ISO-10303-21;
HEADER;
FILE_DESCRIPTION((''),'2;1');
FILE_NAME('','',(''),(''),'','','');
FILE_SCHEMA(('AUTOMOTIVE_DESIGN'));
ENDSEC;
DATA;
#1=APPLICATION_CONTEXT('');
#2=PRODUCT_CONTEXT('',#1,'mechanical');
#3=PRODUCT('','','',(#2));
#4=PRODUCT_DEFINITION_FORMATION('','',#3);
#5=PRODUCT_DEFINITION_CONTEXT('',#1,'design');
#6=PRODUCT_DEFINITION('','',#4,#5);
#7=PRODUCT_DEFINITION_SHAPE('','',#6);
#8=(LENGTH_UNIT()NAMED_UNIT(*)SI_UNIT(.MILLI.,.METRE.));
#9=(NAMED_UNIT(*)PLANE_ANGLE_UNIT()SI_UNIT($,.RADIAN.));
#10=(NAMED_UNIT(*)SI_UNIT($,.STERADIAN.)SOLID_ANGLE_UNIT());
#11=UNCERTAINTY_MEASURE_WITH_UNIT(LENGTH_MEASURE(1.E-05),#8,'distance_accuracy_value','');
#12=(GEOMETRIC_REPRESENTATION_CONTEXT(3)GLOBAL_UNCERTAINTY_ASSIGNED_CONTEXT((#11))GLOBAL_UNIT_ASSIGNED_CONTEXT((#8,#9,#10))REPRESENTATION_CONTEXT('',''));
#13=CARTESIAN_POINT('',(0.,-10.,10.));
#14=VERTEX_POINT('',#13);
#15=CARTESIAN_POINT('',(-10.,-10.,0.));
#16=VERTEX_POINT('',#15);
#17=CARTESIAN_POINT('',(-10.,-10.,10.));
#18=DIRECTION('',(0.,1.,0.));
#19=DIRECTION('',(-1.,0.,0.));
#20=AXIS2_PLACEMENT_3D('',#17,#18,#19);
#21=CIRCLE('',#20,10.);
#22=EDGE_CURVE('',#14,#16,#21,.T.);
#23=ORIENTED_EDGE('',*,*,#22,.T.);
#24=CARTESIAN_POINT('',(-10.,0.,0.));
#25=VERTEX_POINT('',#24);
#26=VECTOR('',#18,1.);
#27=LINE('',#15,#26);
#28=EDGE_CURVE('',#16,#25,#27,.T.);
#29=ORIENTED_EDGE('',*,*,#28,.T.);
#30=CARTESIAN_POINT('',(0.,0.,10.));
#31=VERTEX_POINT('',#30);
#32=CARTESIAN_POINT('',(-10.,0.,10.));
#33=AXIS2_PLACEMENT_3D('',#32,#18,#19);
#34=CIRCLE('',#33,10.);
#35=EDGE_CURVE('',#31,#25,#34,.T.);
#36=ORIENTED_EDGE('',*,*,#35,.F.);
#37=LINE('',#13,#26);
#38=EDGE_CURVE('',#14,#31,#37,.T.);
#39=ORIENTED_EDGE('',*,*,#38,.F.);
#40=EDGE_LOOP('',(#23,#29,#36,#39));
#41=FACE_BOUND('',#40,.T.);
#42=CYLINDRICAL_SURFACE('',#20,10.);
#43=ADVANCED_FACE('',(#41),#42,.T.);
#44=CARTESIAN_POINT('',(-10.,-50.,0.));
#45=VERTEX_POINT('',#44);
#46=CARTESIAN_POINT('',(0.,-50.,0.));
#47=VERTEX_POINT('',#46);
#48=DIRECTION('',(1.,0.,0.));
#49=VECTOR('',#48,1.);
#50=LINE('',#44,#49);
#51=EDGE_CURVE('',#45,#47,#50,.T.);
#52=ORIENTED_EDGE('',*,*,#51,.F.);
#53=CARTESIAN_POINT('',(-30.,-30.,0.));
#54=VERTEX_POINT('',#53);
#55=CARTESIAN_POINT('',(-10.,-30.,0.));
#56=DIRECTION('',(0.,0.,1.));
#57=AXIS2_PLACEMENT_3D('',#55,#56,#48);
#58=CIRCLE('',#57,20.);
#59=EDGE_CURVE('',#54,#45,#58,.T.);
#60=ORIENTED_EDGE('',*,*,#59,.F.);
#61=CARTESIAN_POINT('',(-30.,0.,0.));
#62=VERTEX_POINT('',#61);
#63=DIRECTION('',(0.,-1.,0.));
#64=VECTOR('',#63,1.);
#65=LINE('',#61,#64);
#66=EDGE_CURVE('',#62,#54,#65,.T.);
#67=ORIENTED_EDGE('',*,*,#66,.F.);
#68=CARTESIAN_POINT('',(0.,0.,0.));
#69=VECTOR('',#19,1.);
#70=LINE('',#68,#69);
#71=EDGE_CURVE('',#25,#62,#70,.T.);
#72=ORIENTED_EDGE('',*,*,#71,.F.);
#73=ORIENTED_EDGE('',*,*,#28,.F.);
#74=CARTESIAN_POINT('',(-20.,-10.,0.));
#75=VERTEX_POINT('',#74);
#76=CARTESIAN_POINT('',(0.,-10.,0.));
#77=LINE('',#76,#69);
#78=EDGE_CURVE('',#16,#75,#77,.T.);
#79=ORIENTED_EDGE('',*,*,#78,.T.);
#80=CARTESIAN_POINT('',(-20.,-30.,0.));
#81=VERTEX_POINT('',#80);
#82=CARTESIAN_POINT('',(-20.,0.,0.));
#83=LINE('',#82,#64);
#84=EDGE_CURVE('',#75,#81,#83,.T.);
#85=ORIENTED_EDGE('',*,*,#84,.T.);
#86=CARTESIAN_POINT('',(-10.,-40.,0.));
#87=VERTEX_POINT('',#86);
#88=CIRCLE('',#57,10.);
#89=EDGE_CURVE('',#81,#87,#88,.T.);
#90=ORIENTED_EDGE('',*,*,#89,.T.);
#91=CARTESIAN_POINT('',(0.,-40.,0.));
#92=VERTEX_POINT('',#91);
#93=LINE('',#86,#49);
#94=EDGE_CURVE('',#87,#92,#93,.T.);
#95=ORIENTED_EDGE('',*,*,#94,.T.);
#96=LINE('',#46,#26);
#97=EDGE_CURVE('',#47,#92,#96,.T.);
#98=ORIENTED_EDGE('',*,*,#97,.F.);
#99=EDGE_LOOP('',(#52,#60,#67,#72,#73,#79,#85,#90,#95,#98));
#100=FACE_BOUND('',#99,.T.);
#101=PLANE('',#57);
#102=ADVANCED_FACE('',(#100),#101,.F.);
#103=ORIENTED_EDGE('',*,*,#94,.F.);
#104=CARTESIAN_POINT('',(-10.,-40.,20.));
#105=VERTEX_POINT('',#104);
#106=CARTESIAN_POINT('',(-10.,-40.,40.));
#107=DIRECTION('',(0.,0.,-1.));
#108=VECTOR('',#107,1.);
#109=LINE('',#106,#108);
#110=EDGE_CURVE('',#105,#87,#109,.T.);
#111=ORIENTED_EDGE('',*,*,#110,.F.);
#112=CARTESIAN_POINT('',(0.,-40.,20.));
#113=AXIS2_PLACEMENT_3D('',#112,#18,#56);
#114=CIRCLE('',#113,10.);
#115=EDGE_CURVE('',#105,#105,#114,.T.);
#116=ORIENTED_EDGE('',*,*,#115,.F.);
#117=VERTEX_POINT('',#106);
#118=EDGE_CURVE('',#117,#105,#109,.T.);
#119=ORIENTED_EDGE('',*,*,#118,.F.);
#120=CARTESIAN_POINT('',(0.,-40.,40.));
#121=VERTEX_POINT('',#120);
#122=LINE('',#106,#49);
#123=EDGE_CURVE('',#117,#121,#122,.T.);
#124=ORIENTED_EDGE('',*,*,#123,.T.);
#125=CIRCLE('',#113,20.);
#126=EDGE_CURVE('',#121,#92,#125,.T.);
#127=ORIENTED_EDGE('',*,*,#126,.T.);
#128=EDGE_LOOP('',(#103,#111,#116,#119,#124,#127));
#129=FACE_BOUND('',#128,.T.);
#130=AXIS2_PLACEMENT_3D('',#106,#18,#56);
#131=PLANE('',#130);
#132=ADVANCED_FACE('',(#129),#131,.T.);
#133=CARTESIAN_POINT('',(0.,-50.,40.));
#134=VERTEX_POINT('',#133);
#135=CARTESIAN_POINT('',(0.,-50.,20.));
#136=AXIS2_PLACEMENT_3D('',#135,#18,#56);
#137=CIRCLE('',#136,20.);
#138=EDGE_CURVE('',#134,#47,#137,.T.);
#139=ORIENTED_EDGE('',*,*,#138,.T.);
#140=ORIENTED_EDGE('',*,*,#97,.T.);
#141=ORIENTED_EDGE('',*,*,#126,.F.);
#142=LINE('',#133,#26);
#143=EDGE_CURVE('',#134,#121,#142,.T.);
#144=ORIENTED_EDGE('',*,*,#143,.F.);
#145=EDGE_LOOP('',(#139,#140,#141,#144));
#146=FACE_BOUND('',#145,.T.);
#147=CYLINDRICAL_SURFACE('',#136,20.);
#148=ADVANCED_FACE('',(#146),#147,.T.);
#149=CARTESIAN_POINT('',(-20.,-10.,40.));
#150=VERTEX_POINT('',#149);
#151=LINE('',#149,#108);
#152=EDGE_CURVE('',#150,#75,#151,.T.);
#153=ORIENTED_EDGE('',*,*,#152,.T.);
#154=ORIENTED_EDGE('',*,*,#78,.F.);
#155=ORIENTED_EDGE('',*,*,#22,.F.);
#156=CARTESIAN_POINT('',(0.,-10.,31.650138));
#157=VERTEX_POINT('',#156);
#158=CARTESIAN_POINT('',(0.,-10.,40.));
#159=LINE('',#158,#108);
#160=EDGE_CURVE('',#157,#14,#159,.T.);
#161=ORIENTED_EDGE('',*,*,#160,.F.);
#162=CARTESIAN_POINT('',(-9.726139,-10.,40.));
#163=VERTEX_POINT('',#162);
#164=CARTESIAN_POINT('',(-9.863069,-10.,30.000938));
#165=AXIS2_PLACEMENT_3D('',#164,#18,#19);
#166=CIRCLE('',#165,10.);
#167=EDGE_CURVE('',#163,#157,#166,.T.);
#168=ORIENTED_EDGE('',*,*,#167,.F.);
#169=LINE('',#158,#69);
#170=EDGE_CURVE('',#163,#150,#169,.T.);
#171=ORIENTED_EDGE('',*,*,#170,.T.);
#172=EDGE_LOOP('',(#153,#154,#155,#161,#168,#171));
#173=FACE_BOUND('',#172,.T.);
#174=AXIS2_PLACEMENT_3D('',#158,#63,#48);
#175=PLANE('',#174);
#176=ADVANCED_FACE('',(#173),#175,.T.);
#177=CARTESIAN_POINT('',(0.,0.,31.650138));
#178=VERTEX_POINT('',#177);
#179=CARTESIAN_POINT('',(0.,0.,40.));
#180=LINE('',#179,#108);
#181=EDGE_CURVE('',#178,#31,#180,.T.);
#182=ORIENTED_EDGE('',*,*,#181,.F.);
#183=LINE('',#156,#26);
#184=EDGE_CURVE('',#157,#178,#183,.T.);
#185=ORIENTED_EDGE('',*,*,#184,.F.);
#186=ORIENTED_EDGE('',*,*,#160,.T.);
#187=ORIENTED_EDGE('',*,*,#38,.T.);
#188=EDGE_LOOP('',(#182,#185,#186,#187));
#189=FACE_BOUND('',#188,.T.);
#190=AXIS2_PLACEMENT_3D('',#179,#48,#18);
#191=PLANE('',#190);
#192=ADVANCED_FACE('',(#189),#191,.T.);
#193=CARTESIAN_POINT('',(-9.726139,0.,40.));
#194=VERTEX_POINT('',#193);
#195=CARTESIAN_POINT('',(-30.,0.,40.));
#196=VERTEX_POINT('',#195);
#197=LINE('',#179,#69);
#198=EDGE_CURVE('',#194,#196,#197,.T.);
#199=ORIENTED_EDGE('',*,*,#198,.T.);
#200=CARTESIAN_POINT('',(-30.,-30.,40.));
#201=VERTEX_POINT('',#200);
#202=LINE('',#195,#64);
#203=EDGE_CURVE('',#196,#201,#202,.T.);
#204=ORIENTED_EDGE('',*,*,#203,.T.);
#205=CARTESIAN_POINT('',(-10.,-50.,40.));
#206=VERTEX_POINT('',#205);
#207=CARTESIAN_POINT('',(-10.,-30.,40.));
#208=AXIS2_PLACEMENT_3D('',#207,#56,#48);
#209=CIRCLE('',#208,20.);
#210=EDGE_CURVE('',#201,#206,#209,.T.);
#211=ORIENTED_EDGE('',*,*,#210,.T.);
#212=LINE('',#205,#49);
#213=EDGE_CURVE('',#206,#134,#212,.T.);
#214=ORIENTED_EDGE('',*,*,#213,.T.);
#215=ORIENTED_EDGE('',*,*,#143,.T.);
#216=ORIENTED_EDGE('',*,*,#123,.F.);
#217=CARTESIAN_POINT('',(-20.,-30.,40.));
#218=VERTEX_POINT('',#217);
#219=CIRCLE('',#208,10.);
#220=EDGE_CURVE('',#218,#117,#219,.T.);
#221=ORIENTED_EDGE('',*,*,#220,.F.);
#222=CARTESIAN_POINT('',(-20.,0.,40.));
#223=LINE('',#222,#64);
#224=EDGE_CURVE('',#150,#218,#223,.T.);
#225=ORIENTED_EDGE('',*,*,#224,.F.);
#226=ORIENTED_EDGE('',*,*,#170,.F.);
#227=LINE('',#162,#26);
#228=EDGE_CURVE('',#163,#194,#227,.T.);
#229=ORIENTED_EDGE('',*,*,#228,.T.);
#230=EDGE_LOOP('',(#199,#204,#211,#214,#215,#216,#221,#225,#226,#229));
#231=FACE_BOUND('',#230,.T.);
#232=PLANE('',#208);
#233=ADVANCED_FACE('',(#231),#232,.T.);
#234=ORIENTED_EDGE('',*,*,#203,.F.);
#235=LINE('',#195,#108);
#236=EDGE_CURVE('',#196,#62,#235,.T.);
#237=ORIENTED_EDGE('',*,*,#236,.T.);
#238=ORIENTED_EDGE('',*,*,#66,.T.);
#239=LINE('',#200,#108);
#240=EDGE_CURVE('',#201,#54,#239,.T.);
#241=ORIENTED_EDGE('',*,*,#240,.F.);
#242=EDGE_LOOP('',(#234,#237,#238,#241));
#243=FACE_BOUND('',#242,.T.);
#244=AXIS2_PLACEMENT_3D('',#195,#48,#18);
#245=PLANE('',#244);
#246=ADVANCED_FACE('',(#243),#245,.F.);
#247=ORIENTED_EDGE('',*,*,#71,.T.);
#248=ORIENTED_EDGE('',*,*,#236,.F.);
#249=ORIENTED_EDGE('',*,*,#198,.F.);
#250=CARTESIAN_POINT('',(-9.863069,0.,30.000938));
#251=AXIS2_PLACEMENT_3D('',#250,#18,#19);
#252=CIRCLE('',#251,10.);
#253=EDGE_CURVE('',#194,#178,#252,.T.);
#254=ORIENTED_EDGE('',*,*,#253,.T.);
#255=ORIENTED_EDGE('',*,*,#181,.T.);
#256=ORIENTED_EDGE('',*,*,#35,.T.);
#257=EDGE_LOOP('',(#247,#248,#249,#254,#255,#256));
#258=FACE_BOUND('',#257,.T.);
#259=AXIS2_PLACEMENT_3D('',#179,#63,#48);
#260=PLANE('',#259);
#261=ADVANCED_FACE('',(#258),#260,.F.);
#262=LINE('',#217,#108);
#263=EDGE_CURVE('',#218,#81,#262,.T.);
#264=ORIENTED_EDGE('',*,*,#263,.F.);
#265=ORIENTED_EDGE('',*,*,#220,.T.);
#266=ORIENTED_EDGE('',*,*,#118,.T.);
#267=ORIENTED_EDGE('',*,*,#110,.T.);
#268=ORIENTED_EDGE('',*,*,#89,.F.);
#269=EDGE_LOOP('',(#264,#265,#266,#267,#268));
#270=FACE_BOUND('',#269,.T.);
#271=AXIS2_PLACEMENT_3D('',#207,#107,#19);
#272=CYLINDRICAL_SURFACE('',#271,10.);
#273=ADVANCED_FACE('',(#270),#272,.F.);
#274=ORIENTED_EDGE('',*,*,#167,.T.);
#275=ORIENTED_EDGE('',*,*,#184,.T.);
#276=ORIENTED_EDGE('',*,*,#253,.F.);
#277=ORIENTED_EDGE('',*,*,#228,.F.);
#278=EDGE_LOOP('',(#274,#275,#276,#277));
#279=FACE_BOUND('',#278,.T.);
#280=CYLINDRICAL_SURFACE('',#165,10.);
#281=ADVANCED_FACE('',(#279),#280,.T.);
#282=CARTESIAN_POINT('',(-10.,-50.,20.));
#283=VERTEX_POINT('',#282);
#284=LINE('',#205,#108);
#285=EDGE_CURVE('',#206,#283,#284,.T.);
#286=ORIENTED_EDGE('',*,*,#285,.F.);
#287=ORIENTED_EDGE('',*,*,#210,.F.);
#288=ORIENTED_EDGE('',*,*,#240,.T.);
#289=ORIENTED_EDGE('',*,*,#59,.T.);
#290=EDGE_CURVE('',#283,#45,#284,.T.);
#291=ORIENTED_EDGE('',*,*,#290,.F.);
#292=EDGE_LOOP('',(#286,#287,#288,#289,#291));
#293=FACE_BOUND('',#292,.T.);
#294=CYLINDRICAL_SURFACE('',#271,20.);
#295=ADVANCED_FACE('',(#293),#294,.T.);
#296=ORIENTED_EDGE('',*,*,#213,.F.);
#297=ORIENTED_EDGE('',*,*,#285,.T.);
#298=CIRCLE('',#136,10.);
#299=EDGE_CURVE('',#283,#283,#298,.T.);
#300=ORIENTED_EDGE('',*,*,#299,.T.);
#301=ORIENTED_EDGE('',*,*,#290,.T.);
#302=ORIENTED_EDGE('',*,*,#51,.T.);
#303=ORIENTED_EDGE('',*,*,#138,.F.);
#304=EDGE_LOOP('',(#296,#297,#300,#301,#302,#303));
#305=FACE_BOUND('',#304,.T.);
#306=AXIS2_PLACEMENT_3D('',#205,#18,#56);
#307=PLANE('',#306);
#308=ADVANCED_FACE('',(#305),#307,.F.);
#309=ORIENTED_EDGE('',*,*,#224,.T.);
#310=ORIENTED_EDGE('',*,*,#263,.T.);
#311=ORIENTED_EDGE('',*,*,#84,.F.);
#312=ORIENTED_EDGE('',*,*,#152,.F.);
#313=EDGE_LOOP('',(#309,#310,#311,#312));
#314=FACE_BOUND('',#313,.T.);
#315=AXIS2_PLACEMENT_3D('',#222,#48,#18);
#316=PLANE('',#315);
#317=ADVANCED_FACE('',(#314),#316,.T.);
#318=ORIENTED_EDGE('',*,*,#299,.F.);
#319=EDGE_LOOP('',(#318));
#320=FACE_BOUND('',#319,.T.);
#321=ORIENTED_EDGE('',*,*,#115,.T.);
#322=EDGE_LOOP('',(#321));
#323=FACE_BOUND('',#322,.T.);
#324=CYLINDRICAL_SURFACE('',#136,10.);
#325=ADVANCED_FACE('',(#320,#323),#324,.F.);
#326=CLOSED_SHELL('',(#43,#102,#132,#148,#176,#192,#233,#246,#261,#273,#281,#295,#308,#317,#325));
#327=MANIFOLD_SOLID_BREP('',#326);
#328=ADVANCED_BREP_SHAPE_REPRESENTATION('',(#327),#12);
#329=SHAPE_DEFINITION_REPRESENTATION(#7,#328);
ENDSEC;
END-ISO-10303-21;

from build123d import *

# Parameters (mm, degrees)
EXTRUDE_THIN1_DEPTH     = 40
CUT_EXTRUDE_THIN1_DEPTH = 10
CUT_EXTRUDE2_DEPTH      = 10


with BuildPart() as part:
    # Sketch1 → Extrude-Thin1 (new body)
    with BuildSketch(Plane.XY):
        with BuildLine():
            Line((0, 0), (-30, 0))
            Line((-30, 0), (-30, -30))
            ThreePointArc((-30, -30), (-24.142135624, -44.142135624), (-10, -50))
            Line((-10, -50), (20, -50))
            Line((20, -50), (20, -40))
            Line((20, -40), (-10, -40))
            ThreePointArc((-10, -40), (-17.071067812, -37.071067812), (-20, -30))
            Line((-20, -30), (-20, -10))
            Line((-20, -10), (0, -10))
            Line((0, -10), (0, 0))
        make_face()
    extrude(amount=EXTRUDE_THIN1_DEPTH)

    # Sketch3 → Cut-Extrude-Thin1 (cut)
    with BuildSketch(Plane(origin=(0, 0, 0), x_dir=(1, 0, 0), z_dir=(0, 1, 0))):
        with BuildLine():
            ThreePointArc((-10, -40), (-3.453740955, -37.676907189), (0, -31.650138477))
            Line((0, -31.650138477), (9.863069314, -33.299339409))
            ThreePointArc((9.863069314, -33.299339409), (2.955587404, -45.352876834), (-10.136930686, -49.999062455))
            Line((-10.136930686, -49.999062455), (-10, -40))
        make_face()
        with BuildLine():
            ThreePointArc((0, -10), (-2.928932188, -2.928932188), (-10, 0))
            Line((-10, 0), (-10, 10))
            ThreePointArc((-10, 10), (4.142135624, 4.142135624), (10, -10))
            Line((10, -10), (0, -10))
        make_face()
    extrude(amount=-CUT_EXTRUDE_THIN1_DEPTH, mode=Mode.SUBTRACT)

    # Sketch10 → Cut-Extrude2 (cut)
    with BuildSketch(Plane(origin=(0, -40, 0), x_dir=(1, 0, 0), z_dir=(0, 1, 0))):
        with BuildLine():
            ThreePointArc((0, 0), (14.142135624, -5.857864376), (20, -20))
            Line((20, -20), (20, 0))
            Line((20, 0), (0, 0))
        make_face()
        with BuildLine():
            ThreePointArc((20, -20), (14.142135624, -34.142135624), (0, -40))
            Line((0, -40), (20, -40))
            Line((20, -40), (20, -20))
        make_face()
        with BuildLine():
            ThreePointArc((0, -10), (-10, -20), (0, -30))
            Line((0, -30), (0, -10))
        make_face()
        with BuildLine():
            Line((0, -10), (0, -30))
            ThreePointArc((0, -30), (7.071067812, -27.071067812), (10, -20))
            ThreePointArc((10, -20), (7.071067812, -12.928932188), (0, -10))
        make_face()
    extrude(amount=-CUT_EXTRUDE2_DEPTH, mode=Mode.SUBTRACT)


solid = part.part
